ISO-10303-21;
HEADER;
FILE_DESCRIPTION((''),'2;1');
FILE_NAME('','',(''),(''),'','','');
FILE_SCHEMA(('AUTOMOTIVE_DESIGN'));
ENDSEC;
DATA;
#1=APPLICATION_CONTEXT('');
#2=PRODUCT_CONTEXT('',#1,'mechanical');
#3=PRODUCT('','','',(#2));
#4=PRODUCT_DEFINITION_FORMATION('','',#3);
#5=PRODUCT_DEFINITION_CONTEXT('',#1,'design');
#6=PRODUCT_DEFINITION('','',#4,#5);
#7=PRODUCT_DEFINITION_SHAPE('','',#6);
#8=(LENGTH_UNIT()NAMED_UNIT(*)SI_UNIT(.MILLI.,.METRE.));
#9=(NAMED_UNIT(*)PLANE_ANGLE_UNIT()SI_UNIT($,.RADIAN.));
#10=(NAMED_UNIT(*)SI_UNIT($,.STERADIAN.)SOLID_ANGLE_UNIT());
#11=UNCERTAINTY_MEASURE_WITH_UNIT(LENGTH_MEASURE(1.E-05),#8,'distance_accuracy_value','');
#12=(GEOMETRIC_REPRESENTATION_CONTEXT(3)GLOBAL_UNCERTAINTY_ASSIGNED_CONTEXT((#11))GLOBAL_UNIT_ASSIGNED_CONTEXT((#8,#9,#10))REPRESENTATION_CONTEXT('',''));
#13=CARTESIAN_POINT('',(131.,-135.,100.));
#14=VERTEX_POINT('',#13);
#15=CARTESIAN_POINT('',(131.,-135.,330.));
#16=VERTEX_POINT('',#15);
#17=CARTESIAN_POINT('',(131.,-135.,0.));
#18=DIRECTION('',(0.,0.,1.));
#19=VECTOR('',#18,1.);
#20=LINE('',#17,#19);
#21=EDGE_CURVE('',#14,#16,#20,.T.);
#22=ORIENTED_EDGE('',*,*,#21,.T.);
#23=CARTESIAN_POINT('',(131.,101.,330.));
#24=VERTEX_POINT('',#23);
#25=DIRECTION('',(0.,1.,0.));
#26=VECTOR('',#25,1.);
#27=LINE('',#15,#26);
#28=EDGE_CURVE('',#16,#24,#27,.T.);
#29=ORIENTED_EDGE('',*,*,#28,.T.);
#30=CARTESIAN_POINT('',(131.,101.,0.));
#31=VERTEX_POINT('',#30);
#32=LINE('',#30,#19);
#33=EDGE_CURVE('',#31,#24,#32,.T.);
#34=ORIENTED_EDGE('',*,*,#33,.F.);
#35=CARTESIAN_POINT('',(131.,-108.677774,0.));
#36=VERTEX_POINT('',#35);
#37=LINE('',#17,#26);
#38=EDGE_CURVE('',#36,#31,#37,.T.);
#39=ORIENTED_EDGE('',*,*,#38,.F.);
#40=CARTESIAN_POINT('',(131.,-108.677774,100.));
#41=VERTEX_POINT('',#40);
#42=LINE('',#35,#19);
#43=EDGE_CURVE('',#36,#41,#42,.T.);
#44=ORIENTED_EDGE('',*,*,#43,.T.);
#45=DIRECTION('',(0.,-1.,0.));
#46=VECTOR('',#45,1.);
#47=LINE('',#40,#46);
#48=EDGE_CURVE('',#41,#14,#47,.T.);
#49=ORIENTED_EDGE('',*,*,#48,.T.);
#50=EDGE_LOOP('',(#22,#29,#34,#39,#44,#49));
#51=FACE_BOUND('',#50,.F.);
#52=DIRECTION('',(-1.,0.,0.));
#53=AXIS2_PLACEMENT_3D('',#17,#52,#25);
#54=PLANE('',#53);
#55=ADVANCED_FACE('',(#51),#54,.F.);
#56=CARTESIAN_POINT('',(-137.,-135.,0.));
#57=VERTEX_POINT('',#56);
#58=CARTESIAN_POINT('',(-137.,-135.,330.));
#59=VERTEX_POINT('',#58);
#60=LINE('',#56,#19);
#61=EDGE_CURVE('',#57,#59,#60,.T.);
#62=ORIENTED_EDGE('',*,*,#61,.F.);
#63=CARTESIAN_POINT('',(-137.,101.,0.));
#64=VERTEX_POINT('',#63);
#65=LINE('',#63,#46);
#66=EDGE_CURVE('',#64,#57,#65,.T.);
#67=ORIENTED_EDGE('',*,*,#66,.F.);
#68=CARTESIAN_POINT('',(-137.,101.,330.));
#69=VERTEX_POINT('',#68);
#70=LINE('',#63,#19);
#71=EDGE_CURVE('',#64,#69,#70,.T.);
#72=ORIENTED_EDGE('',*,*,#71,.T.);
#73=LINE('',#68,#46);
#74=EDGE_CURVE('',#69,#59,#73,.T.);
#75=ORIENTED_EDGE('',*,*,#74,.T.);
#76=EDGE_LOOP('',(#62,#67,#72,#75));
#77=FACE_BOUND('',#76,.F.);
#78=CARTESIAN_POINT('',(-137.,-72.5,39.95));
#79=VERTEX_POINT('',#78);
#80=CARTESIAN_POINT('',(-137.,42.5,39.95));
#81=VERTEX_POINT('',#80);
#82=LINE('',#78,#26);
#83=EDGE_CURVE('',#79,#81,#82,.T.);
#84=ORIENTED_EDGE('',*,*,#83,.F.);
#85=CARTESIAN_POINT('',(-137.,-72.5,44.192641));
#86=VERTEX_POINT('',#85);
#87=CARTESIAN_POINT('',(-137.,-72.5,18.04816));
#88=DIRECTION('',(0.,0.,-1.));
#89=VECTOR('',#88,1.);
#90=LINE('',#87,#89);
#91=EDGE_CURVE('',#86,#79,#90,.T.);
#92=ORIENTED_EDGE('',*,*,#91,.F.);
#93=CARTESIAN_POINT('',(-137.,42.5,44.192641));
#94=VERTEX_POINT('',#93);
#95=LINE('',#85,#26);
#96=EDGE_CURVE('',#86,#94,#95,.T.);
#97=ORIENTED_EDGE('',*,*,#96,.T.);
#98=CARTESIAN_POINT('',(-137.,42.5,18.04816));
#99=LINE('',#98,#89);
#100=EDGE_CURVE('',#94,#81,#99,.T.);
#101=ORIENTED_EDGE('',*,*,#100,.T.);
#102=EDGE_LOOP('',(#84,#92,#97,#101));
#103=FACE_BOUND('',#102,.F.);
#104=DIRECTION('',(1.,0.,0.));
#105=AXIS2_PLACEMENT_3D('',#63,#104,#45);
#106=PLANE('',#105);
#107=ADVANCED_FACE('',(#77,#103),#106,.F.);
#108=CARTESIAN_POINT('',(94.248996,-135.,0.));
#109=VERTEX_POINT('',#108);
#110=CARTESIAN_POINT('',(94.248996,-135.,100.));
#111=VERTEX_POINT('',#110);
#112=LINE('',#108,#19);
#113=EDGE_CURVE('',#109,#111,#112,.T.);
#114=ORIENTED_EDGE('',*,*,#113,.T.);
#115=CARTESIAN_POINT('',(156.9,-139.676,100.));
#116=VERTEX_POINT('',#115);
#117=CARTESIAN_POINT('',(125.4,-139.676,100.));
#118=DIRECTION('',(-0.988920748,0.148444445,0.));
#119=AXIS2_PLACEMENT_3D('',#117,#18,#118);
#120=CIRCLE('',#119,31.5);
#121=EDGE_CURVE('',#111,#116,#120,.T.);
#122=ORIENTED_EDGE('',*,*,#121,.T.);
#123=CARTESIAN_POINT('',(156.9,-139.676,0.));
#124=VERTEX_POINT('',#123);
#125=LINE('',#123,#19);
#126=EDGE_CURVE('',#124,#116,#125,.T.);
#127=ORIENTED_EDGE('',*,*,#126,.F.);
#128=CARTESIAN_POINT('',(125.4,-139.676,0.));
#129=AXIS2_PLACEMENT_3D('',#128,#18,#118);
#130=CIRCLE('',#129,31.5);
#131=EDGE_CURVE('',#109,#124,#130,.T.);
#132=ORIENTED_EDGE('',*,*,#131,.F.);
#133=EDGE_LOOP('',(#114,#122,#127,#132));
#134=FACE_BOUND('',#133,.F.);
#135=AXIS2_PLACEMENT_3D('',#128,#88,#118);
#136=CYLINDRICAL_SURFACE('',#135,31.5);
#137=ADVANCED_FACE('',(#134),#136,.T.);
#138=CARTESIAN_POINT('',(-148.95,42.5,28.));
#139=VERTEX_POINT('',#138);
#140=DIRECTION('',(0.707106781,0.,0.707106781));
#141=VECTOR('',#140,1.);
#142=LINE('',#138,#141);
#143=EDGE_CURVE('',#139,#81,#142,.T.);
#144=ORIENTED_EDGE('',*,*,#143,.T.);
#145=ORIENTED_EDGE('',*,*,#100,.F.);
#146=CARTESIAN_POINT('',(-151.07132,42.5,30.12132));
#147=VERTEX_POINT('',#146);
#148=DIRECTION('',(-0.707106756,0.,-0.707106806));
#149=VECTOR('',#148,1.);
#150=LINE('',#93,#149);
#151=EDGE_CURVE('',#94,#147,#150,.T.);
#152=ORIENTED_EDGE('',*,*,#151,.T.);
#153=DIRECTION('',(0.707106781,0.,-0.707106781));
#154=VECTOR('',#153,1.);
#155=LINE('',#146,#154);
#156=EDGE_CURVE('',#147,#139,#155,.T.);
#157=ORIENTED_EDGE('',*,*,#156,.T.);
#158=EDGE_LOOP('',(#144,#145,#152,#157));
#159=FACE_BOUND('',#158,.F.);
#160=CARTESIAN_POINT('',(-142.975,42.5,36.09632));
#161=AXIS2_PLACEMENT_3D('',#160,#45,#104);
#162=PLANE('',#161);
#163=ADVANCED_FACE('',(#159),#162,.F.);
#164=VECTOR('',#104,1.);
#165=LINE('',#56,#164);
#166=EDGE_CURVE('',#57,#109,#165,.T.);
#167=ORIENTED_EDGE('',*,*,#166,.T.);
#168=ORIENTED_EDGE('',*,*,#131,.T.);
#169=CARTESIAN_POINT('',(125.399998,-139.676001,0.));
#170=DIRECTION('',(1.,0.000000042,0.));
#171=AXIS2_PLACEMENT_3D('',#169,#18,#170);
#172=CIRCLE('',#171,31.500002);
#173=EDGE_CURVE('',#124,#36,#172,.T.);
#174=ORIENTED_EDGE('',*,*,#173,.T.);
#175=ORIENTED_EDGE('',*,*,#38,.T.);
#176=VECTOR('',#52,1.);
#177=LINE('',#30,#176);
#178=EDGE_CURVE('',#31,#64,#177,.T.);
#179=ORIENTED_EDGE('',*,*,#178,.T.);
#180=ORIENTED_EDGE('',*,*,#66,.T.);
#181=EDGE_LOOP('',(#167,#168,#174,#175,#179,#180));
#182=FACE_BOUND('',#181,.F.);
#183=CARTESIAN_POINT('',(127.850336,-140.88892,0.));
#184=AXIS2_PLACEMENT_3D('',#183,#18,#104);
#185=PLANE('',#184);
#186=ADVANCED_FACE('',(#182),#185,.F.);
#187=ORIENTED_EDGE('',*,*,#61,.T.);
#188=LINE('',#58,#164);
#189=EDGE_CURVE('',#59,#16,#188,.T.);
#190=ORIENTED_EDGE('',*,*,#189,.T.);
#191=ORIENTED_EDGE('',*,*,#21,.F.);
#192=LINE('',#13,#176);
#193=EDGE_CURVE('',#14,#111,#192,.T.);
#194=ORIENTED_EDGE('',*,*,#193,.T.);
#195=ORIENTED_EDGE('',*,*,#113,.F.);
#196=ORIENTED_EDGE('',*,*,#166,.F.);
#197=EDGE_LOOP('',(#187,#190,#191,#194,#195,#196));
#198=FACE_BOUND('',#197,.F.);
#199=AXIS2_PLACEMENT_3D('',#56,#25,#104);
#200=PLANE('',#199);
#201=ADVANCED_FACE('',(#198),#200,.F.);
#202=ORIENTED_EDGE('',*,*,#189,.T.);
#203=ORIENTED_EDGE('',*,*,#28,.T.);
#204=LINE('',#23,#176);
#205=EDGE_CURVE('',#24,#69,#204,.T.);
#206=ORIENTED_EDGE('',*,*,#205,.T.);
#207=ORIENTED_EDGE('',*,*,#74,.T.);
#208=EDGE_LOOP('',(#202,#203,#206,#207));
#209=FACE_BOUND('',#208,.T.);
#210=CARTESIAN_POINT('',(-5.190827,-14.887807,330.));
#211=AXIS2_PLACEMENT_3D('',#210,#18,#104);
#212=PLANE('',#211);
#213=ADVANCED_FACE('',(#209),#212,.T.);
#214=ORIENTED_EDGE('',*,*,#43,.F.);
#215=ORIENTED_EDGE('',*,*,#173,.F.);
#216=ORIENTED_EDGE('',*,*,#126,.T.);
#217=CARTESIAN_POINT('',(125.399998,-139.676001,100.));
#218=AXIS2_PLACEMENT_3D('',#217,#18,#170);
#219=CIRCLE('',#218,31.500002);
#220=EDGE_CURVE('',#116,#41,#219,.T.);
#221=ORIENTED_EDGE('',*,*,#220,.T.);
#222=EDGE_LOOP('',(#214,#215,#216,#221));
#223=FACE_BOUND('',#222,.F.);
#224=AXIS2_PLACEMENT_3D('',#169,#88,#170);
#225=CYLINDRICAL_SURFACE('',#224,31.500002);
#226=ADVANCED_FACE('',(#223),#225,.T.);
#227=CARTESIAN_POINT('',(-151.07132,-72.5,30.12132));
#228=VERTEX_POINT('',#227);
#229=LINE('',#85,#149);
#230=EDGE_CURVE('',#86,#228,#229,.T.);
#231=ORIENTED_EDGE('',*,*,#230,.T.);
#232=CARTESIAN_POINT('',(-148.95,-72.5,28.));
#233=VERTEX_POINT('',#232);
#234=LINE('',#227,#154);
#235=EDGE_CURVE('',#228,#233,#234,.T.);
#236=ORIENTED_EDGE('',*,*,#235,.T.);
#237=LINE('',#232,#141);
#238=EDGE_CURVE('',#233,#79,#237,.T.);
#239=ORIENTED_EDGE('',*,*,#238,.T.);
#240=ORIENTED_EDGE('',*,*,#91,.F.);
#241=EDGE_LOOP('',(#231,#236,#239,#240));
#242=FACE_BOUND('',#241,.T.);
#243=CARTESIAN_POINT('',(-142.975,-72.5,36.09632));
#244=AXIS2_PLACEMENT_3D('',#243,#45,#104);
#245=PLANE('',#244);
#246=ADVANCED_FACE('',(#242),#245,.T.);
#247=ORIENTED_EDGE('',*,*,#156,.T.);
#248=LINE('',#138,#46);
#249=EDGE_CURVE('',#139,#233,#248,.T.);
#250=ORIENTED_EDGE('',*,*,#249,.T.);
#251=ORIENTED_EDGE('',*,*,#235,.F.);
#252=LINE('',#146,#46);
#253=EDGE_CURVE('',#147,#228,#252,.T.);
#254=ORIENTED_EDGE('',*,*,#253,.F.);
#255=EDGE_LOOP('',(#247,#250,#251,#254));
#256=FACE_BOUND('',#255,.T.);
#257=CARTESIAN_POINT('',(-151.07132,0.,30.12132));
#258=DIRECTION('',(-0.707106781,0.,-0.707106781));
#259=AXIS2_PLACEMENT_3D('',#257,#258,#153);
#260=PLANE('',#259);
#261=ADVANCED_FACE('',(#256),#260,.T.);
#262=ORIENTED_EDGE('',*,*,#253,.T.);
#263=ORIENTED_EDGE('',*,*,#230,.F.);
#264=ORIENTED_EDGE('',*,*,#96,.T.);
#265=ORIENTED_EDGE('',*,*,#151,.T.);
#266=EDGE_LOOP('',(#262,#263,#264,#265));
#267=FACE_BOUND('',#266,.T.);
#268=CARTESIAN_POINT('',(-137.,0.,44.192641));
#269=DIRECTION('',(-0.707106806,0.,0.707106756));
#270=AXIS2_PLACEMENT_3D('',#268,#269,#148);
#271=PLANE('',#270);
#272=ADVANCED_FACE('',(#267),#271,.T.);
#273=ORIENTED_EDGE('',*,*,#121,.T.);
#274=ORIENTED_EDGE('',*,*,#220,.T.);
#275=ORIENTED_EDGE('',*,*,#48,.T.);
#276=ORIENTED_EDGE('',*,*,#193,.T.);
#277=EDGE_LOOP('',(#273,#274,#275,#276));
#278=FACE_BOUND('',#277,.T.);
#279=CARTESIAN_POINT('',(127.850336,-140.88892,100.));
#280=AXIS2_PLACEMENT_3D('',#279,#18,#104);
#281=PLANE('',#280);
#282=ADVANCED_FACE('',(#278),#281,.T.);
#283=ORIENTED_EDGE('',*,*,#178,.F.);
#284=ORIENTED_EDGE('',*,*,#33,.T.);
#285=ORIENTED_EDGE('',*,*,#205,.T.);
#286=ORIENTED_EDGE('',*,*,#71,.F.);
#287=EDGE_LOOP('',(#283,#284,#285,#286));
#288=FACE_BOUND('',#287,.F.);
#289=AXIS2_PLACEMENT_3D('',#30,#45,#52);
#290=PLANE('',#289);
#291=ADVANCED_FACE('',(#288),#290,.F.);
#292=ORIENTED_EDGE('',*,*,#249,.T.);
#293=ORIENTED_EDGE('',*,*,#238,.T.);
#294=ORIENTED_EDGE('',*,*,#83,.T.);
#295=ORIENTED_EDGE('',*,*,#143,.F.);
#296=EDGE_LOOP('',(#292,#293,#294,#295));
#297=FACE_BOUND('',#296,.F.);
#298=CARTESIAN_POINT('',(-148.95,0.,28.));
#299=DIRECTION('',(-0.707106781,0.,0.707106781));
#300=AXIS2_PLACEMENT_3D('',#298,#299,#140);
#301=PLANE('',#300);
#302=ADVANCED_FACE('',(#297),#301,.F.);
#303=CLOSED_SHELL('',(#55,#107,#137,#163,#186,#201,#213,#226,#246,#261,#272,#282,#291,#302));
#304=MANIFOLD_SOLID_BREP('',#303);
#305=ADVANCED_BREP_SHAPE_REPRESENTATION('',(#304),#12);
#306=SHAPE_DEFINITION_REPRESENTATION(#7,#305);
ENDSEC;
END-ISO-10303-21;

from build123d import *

# Parameters (mm, degrees)
F1_DEPTH      = 330
F2_DEPTH      = 100
F4_DEPTH      = 72.5
F4_DEPTH_BACK = 42.5


with BuildPart() as f1:
    # F0 (on Top) → F1 (new body)
    with BuildSketch(Plane.XY):
        with BuildLine():
            Line((-137, 101), (-137, -135))
            Line((-137, -135), (94.248996, -135))
            ThreePointArc((94.248996, -135), (107.058017, -114.066985), (131, -108.677774))
            Line((131, -108.677774), (131, 101))
            Line((131, 101), (-137, 101))
        make_face()
        with BuildLine():
            ThreePointArc((131, -108.677774), (107.058017, -114.066985), (94.248996, -135))
            Line((94.248996, -135), (131, -135))
            Line((131, -135), (131, -108.677774))
        make_face()
    extrude(amount=F1_DEPTH)

    # F0 (on Top) → F2 (join)
    with BuildSketch(Plane.XY):
        with BuildLine():
            Line((131, -135), (94.248996, -135))
            ThreePointArc((94.248996, -135), (123.055497, -171.08863), (156.9, -139.676))
            ThreePointArc((156.9, -139.676), (149.572815, -119.478847), (131, -108.677774))
            Line((131, -108.677774), (131, -135))
        make_face()
    extrude(amount=F2_DEPTH)

    # F3 (on Front) → F4 (join, two sides)
    with BuildSketch(Plane.XZ) as f4_sk:
        Polygon((-137, 44.192641), (-151.07132, 30.12132), (-148.95, 28), (-134.87868, 42.07132), align=None)
    extrude(amount=F4_DEPTH)
    extrude(f4_sk.sketch, amount=-F4_DEPTH_BACK)


solid = f1.part
